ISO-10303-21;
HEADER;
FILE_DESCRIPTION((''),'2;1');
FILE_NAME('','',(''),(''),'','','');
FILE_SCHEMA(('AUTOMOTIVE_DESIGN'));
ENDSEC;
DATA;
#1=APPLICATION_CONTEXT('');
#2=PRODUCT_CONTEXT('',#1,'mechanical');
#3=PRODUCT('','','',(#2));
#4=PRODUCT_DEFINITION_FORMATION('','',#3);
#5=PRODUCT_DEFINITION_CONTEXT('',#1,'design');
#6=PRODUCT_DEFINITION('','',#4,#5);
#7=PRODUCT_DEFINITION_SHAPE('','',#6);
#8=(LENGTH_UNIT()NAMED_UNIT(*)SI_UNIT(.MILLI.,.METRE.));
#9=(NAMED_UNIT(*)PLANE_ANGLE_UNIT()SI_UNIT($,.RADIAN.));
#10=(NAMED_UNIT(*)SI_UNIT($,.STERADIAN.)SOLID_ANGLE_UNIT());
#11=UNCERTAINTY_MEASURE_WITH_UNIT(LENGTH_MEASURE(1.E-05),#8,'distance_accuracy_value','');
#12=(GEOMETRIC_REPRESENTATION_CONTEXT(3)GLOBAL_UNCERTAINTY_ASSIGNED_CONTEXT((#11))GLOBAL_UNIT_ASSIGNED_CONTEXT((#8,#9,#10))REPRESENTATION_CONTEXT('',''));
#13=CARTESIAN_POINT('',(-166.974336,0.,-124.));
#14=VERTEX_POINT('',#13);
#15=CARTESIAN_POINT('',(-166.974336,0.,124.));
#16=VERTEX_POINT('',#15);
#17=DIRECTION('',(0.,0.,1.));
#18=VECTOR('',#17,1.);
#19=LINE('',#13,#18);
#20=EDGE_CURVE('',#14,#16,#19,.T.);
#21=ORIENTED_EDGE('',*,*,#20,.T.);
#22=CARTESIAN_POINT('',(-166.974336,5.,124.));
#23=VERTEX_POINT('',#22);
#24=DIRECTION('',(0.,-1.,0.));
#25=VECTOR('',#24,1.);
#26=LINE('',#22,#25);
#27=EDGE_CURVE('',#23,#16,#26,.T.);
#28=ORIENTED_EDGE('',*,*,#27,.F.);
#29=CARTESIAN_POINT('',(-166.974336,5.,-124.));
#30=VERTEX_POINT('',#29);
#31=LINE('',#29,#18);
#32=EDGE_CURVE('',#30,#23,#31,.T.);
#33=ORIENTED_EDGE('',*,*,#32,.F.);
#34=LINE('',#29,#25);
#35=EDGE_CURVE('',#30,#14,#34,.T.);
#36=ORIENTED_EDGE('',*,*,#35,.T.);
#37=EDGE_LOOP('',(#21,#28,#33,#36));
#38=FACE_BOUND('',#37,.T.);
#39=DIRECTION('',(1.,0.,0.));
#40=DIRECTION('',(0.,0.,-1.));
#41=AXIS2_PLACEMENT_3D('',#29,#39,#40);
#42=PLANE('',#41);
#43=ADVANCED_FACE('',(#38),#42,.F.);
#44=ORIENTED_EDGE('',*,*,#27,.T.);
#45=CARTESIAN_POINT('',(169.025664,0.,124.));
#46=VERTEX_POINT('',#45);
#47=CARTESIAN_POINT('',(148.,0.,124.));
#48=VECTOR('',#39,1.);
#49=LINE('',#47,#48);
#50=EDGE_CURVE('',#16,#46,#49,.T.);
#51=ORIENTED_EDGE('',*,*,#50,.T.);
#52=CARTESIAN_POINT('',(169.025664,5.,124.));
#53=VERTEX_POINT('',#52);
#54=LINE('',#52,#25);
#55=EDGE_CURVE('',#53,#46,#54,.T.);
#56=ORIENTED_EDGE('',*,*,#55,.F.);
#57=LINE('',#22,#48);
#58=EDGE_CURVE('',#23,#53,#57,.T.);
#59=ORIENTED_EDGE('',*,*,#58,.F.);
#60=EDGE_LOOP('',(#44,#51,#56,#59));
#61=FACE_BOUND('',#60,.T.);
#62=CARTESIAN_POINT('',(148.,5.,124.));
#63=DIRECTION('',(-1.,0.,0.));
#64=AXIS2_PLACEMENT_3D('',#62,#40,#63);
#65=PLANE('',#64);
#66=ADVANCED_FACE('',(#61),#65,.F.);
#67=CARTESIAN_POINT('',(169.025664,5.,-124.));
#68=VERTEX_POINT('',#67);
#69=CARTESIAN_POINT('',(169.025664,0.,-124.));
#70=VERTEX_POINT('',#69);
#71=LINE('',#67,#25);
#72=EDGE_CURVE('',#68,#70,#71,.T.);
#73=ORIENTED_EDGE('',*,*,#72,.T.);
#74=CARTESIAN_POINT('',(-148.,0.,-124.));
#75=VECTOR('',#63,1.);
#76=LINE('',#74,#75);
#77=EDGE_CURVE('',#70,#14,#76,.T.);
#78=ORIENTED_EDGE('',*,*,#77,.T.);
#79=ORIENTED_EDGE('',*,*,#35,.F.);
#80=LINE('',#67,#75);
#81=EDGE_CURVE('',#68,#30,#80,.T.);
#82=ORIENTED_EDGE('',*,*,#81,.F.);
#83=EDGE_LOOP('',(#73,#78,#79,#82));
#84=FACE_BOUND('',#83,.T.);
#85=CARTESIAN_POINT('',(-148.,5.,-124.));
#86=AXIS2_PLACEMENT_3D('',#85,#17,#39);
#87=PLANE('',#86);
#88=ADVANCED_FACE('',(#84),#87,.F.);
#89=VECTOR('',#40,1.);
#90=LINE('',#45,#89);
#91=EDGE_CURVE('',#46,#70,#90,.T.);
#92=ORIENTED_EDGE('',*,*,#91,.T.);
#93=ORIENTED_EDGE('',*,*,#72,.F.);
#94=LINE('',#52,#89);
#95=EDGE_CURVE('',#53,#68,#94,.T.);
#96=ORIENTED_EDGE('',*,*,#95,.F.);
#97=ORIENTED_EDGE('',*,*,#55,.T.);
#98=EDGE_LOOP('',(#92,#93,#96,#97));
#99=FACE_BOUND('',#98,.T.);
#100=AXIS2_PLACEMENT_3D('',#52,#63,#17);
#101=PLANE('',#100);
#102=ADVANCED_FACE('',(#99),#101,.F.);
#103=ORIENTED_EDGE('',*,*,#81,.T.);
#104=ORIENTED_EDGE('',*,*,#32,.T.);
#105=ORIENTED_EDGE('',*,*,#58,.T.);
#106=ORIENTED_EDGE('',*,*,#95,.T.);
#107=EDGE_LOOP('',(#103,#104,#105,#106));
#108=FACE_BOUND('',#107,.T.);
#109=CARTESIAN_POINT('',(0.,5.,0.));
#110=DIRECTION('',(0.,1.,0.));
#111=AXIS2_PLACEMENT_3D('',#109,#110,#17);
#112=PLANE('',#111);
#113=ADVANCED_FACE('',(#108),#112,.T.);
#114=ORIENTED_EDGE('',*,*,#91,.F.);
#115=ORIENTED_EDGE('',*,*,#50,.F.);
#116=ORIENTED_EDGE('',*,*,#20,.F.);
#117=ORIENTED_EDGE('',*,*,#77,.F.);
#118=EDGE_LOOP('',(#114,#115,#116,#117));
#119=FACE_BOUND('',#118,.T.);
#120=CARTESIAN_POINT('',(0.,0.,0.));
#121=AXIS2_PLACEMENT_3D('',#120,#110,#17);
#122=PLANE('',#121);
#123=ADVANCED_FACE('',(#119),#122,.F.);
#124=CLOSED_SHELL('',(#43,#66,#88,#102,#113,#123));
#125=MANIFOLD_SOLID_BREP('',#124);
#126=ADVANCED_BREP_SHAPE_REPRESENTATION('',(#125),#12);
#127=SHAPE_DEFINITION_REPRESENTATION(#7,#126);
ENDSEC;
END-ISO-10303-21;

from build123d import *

# Parameters (mm, degrees)
BOSS_EXTRUDE1_DEPTH = 5


with BuildPart() as part:
    # Sketch1 → Boss-Extrude1 (new body)
    with BuildSketch(Plane(origin=(0, 0, 0), x_dir=(1, 0, 0), z_dir=(0, 1, 0))):
        Polygon((-148, 124), (-166.974336391, 124), (-166.974336391, -124), (-148, -124), (148, -124), (169.025663609, -124), (169.025663609, 124), (148, 124), align=None)
    extrude(amount=BOSS_EXTRUDE1_DEPTH)


solid = part.part
